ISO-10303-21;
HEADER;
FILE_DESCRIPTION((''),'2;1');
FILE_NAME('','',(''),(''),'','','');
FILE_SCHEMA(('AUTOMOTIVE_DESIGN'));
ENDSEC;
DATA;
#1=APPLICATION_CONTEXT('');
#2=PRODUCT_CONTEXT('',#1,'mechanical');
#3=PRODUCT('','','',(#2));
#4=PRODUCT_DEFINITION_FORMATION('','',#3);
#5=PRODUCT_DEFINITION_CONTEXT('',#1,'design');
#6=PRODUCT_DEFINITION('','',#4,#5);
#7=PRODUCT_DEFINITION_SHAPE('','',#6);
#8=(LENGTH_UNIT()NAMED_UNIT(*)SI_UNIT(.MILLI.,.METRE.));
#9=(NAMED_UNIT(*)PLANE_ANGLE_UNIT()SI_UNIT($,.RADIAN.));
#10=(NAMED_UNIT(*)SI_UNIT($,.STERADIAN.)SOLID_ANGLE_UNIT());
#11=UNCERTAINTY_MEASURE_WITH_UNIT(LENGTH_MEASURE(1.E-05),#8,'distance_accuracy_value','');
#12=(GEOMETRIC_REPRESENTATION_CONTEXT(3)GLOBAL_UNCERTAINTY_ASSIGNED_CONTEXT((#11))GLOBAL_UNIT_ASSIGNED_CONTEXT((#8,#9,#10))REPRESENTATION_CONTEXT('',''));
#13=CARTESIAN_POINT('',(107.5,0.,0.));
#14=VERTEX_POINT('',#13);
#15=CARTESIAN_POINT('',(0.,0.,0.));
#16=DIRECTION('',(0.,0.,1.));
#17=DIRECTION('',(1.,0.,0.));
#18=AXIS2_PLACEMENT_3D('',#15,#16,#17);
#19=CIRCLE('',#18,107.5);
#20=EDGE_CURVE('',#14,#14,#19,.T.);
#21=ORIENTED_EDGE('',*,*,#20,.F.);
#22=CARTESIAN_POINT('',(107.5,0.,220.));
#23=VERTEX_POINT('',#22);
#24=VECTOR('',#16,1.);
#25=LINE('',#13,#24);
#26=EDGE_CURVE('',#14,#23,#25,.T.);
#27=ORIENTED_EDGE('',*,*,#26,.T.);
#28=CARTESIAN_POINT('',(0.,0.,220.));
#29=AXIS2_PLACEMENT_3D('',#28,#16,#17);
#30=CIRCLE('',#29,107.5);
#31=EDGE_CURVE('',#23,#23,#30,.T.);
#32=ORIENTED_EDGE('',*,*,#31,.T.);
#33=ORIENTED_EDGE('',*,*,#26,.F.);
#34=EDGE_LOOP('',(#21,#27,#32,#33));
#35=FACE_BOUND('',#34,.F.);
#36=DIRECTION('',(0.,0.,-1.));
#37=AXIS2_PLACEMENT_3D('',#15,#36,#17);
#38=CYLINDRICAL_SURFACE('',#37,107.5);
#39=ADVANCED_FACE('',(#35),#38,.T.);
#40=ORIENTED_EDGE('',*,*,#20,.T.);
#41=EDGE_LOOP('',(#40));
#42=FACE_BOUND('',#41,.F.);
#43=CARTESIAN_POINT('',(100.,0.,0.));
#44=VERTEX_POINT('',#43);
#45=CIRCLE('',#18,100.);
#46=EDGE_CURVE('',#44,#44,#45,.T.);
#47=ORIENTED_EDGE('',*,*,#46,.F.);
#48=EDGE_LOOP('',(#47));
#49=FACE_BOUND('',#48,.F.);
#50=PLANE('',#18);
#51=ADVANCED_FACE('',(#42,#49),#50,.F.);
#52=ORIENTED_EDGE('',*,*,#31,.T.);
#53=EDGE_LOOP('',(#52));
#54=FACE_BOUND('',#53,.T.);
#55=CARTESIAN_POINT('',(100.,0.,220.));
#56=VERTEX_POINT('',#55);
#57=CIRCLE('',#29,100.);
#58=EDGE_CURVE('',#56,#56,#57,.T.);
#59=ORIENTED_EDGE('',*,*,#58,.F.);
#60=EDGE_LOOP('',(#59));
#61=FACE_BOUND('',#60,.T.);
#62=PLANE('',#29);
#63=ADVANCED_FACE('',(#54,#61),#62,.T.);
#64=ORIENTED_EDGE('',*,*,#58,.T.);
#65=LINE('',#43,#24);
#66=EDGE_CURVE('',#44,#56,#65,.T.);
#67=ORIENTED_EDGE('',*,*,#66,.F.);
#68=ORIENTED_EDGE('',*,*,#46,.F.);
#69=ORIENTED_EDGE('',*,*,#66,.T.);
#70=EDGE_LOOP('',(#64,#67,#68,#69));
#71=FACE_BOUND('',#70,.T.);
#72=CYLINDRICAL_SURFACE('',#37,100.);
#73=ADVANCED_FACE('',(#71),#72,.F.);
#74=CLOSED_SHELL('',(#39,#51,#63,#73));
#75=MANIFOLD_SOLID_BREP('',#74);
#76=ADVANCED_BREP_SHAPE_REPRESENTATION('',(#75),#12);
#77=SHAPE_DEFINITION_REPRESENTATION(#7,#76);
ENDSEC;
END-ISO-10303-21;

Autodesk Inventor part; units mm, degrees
ref_plane "YZ Plane" through (0, 0, 0) normal (1, 0, 0) x (0, 1, 0)
ref_plane "XZ Plane" through (0, 0, 0) normal (0, 1, 0) x (-1, 0, 0)
ref_plane "XY Plane" through (0, 0, 0) normal (0, 0, 1) x (1, 0, 0)
sketch "Sketch1" plane through (0, 0, 0) normal (0, 0, 1) x (1, 0, 0)
  circle A0 centre (0, 0) radius 107.5
  circle A1 centre (0, 0) radius 100
  dimension "d0" = 215
  dimension "d1" = 7.5
extrude "Extrusion1" add sketch "Sketch1" along normal blind 220
properties part number "ANP 1452 BOTTOM DS main tube" material "Stainless Steel"
